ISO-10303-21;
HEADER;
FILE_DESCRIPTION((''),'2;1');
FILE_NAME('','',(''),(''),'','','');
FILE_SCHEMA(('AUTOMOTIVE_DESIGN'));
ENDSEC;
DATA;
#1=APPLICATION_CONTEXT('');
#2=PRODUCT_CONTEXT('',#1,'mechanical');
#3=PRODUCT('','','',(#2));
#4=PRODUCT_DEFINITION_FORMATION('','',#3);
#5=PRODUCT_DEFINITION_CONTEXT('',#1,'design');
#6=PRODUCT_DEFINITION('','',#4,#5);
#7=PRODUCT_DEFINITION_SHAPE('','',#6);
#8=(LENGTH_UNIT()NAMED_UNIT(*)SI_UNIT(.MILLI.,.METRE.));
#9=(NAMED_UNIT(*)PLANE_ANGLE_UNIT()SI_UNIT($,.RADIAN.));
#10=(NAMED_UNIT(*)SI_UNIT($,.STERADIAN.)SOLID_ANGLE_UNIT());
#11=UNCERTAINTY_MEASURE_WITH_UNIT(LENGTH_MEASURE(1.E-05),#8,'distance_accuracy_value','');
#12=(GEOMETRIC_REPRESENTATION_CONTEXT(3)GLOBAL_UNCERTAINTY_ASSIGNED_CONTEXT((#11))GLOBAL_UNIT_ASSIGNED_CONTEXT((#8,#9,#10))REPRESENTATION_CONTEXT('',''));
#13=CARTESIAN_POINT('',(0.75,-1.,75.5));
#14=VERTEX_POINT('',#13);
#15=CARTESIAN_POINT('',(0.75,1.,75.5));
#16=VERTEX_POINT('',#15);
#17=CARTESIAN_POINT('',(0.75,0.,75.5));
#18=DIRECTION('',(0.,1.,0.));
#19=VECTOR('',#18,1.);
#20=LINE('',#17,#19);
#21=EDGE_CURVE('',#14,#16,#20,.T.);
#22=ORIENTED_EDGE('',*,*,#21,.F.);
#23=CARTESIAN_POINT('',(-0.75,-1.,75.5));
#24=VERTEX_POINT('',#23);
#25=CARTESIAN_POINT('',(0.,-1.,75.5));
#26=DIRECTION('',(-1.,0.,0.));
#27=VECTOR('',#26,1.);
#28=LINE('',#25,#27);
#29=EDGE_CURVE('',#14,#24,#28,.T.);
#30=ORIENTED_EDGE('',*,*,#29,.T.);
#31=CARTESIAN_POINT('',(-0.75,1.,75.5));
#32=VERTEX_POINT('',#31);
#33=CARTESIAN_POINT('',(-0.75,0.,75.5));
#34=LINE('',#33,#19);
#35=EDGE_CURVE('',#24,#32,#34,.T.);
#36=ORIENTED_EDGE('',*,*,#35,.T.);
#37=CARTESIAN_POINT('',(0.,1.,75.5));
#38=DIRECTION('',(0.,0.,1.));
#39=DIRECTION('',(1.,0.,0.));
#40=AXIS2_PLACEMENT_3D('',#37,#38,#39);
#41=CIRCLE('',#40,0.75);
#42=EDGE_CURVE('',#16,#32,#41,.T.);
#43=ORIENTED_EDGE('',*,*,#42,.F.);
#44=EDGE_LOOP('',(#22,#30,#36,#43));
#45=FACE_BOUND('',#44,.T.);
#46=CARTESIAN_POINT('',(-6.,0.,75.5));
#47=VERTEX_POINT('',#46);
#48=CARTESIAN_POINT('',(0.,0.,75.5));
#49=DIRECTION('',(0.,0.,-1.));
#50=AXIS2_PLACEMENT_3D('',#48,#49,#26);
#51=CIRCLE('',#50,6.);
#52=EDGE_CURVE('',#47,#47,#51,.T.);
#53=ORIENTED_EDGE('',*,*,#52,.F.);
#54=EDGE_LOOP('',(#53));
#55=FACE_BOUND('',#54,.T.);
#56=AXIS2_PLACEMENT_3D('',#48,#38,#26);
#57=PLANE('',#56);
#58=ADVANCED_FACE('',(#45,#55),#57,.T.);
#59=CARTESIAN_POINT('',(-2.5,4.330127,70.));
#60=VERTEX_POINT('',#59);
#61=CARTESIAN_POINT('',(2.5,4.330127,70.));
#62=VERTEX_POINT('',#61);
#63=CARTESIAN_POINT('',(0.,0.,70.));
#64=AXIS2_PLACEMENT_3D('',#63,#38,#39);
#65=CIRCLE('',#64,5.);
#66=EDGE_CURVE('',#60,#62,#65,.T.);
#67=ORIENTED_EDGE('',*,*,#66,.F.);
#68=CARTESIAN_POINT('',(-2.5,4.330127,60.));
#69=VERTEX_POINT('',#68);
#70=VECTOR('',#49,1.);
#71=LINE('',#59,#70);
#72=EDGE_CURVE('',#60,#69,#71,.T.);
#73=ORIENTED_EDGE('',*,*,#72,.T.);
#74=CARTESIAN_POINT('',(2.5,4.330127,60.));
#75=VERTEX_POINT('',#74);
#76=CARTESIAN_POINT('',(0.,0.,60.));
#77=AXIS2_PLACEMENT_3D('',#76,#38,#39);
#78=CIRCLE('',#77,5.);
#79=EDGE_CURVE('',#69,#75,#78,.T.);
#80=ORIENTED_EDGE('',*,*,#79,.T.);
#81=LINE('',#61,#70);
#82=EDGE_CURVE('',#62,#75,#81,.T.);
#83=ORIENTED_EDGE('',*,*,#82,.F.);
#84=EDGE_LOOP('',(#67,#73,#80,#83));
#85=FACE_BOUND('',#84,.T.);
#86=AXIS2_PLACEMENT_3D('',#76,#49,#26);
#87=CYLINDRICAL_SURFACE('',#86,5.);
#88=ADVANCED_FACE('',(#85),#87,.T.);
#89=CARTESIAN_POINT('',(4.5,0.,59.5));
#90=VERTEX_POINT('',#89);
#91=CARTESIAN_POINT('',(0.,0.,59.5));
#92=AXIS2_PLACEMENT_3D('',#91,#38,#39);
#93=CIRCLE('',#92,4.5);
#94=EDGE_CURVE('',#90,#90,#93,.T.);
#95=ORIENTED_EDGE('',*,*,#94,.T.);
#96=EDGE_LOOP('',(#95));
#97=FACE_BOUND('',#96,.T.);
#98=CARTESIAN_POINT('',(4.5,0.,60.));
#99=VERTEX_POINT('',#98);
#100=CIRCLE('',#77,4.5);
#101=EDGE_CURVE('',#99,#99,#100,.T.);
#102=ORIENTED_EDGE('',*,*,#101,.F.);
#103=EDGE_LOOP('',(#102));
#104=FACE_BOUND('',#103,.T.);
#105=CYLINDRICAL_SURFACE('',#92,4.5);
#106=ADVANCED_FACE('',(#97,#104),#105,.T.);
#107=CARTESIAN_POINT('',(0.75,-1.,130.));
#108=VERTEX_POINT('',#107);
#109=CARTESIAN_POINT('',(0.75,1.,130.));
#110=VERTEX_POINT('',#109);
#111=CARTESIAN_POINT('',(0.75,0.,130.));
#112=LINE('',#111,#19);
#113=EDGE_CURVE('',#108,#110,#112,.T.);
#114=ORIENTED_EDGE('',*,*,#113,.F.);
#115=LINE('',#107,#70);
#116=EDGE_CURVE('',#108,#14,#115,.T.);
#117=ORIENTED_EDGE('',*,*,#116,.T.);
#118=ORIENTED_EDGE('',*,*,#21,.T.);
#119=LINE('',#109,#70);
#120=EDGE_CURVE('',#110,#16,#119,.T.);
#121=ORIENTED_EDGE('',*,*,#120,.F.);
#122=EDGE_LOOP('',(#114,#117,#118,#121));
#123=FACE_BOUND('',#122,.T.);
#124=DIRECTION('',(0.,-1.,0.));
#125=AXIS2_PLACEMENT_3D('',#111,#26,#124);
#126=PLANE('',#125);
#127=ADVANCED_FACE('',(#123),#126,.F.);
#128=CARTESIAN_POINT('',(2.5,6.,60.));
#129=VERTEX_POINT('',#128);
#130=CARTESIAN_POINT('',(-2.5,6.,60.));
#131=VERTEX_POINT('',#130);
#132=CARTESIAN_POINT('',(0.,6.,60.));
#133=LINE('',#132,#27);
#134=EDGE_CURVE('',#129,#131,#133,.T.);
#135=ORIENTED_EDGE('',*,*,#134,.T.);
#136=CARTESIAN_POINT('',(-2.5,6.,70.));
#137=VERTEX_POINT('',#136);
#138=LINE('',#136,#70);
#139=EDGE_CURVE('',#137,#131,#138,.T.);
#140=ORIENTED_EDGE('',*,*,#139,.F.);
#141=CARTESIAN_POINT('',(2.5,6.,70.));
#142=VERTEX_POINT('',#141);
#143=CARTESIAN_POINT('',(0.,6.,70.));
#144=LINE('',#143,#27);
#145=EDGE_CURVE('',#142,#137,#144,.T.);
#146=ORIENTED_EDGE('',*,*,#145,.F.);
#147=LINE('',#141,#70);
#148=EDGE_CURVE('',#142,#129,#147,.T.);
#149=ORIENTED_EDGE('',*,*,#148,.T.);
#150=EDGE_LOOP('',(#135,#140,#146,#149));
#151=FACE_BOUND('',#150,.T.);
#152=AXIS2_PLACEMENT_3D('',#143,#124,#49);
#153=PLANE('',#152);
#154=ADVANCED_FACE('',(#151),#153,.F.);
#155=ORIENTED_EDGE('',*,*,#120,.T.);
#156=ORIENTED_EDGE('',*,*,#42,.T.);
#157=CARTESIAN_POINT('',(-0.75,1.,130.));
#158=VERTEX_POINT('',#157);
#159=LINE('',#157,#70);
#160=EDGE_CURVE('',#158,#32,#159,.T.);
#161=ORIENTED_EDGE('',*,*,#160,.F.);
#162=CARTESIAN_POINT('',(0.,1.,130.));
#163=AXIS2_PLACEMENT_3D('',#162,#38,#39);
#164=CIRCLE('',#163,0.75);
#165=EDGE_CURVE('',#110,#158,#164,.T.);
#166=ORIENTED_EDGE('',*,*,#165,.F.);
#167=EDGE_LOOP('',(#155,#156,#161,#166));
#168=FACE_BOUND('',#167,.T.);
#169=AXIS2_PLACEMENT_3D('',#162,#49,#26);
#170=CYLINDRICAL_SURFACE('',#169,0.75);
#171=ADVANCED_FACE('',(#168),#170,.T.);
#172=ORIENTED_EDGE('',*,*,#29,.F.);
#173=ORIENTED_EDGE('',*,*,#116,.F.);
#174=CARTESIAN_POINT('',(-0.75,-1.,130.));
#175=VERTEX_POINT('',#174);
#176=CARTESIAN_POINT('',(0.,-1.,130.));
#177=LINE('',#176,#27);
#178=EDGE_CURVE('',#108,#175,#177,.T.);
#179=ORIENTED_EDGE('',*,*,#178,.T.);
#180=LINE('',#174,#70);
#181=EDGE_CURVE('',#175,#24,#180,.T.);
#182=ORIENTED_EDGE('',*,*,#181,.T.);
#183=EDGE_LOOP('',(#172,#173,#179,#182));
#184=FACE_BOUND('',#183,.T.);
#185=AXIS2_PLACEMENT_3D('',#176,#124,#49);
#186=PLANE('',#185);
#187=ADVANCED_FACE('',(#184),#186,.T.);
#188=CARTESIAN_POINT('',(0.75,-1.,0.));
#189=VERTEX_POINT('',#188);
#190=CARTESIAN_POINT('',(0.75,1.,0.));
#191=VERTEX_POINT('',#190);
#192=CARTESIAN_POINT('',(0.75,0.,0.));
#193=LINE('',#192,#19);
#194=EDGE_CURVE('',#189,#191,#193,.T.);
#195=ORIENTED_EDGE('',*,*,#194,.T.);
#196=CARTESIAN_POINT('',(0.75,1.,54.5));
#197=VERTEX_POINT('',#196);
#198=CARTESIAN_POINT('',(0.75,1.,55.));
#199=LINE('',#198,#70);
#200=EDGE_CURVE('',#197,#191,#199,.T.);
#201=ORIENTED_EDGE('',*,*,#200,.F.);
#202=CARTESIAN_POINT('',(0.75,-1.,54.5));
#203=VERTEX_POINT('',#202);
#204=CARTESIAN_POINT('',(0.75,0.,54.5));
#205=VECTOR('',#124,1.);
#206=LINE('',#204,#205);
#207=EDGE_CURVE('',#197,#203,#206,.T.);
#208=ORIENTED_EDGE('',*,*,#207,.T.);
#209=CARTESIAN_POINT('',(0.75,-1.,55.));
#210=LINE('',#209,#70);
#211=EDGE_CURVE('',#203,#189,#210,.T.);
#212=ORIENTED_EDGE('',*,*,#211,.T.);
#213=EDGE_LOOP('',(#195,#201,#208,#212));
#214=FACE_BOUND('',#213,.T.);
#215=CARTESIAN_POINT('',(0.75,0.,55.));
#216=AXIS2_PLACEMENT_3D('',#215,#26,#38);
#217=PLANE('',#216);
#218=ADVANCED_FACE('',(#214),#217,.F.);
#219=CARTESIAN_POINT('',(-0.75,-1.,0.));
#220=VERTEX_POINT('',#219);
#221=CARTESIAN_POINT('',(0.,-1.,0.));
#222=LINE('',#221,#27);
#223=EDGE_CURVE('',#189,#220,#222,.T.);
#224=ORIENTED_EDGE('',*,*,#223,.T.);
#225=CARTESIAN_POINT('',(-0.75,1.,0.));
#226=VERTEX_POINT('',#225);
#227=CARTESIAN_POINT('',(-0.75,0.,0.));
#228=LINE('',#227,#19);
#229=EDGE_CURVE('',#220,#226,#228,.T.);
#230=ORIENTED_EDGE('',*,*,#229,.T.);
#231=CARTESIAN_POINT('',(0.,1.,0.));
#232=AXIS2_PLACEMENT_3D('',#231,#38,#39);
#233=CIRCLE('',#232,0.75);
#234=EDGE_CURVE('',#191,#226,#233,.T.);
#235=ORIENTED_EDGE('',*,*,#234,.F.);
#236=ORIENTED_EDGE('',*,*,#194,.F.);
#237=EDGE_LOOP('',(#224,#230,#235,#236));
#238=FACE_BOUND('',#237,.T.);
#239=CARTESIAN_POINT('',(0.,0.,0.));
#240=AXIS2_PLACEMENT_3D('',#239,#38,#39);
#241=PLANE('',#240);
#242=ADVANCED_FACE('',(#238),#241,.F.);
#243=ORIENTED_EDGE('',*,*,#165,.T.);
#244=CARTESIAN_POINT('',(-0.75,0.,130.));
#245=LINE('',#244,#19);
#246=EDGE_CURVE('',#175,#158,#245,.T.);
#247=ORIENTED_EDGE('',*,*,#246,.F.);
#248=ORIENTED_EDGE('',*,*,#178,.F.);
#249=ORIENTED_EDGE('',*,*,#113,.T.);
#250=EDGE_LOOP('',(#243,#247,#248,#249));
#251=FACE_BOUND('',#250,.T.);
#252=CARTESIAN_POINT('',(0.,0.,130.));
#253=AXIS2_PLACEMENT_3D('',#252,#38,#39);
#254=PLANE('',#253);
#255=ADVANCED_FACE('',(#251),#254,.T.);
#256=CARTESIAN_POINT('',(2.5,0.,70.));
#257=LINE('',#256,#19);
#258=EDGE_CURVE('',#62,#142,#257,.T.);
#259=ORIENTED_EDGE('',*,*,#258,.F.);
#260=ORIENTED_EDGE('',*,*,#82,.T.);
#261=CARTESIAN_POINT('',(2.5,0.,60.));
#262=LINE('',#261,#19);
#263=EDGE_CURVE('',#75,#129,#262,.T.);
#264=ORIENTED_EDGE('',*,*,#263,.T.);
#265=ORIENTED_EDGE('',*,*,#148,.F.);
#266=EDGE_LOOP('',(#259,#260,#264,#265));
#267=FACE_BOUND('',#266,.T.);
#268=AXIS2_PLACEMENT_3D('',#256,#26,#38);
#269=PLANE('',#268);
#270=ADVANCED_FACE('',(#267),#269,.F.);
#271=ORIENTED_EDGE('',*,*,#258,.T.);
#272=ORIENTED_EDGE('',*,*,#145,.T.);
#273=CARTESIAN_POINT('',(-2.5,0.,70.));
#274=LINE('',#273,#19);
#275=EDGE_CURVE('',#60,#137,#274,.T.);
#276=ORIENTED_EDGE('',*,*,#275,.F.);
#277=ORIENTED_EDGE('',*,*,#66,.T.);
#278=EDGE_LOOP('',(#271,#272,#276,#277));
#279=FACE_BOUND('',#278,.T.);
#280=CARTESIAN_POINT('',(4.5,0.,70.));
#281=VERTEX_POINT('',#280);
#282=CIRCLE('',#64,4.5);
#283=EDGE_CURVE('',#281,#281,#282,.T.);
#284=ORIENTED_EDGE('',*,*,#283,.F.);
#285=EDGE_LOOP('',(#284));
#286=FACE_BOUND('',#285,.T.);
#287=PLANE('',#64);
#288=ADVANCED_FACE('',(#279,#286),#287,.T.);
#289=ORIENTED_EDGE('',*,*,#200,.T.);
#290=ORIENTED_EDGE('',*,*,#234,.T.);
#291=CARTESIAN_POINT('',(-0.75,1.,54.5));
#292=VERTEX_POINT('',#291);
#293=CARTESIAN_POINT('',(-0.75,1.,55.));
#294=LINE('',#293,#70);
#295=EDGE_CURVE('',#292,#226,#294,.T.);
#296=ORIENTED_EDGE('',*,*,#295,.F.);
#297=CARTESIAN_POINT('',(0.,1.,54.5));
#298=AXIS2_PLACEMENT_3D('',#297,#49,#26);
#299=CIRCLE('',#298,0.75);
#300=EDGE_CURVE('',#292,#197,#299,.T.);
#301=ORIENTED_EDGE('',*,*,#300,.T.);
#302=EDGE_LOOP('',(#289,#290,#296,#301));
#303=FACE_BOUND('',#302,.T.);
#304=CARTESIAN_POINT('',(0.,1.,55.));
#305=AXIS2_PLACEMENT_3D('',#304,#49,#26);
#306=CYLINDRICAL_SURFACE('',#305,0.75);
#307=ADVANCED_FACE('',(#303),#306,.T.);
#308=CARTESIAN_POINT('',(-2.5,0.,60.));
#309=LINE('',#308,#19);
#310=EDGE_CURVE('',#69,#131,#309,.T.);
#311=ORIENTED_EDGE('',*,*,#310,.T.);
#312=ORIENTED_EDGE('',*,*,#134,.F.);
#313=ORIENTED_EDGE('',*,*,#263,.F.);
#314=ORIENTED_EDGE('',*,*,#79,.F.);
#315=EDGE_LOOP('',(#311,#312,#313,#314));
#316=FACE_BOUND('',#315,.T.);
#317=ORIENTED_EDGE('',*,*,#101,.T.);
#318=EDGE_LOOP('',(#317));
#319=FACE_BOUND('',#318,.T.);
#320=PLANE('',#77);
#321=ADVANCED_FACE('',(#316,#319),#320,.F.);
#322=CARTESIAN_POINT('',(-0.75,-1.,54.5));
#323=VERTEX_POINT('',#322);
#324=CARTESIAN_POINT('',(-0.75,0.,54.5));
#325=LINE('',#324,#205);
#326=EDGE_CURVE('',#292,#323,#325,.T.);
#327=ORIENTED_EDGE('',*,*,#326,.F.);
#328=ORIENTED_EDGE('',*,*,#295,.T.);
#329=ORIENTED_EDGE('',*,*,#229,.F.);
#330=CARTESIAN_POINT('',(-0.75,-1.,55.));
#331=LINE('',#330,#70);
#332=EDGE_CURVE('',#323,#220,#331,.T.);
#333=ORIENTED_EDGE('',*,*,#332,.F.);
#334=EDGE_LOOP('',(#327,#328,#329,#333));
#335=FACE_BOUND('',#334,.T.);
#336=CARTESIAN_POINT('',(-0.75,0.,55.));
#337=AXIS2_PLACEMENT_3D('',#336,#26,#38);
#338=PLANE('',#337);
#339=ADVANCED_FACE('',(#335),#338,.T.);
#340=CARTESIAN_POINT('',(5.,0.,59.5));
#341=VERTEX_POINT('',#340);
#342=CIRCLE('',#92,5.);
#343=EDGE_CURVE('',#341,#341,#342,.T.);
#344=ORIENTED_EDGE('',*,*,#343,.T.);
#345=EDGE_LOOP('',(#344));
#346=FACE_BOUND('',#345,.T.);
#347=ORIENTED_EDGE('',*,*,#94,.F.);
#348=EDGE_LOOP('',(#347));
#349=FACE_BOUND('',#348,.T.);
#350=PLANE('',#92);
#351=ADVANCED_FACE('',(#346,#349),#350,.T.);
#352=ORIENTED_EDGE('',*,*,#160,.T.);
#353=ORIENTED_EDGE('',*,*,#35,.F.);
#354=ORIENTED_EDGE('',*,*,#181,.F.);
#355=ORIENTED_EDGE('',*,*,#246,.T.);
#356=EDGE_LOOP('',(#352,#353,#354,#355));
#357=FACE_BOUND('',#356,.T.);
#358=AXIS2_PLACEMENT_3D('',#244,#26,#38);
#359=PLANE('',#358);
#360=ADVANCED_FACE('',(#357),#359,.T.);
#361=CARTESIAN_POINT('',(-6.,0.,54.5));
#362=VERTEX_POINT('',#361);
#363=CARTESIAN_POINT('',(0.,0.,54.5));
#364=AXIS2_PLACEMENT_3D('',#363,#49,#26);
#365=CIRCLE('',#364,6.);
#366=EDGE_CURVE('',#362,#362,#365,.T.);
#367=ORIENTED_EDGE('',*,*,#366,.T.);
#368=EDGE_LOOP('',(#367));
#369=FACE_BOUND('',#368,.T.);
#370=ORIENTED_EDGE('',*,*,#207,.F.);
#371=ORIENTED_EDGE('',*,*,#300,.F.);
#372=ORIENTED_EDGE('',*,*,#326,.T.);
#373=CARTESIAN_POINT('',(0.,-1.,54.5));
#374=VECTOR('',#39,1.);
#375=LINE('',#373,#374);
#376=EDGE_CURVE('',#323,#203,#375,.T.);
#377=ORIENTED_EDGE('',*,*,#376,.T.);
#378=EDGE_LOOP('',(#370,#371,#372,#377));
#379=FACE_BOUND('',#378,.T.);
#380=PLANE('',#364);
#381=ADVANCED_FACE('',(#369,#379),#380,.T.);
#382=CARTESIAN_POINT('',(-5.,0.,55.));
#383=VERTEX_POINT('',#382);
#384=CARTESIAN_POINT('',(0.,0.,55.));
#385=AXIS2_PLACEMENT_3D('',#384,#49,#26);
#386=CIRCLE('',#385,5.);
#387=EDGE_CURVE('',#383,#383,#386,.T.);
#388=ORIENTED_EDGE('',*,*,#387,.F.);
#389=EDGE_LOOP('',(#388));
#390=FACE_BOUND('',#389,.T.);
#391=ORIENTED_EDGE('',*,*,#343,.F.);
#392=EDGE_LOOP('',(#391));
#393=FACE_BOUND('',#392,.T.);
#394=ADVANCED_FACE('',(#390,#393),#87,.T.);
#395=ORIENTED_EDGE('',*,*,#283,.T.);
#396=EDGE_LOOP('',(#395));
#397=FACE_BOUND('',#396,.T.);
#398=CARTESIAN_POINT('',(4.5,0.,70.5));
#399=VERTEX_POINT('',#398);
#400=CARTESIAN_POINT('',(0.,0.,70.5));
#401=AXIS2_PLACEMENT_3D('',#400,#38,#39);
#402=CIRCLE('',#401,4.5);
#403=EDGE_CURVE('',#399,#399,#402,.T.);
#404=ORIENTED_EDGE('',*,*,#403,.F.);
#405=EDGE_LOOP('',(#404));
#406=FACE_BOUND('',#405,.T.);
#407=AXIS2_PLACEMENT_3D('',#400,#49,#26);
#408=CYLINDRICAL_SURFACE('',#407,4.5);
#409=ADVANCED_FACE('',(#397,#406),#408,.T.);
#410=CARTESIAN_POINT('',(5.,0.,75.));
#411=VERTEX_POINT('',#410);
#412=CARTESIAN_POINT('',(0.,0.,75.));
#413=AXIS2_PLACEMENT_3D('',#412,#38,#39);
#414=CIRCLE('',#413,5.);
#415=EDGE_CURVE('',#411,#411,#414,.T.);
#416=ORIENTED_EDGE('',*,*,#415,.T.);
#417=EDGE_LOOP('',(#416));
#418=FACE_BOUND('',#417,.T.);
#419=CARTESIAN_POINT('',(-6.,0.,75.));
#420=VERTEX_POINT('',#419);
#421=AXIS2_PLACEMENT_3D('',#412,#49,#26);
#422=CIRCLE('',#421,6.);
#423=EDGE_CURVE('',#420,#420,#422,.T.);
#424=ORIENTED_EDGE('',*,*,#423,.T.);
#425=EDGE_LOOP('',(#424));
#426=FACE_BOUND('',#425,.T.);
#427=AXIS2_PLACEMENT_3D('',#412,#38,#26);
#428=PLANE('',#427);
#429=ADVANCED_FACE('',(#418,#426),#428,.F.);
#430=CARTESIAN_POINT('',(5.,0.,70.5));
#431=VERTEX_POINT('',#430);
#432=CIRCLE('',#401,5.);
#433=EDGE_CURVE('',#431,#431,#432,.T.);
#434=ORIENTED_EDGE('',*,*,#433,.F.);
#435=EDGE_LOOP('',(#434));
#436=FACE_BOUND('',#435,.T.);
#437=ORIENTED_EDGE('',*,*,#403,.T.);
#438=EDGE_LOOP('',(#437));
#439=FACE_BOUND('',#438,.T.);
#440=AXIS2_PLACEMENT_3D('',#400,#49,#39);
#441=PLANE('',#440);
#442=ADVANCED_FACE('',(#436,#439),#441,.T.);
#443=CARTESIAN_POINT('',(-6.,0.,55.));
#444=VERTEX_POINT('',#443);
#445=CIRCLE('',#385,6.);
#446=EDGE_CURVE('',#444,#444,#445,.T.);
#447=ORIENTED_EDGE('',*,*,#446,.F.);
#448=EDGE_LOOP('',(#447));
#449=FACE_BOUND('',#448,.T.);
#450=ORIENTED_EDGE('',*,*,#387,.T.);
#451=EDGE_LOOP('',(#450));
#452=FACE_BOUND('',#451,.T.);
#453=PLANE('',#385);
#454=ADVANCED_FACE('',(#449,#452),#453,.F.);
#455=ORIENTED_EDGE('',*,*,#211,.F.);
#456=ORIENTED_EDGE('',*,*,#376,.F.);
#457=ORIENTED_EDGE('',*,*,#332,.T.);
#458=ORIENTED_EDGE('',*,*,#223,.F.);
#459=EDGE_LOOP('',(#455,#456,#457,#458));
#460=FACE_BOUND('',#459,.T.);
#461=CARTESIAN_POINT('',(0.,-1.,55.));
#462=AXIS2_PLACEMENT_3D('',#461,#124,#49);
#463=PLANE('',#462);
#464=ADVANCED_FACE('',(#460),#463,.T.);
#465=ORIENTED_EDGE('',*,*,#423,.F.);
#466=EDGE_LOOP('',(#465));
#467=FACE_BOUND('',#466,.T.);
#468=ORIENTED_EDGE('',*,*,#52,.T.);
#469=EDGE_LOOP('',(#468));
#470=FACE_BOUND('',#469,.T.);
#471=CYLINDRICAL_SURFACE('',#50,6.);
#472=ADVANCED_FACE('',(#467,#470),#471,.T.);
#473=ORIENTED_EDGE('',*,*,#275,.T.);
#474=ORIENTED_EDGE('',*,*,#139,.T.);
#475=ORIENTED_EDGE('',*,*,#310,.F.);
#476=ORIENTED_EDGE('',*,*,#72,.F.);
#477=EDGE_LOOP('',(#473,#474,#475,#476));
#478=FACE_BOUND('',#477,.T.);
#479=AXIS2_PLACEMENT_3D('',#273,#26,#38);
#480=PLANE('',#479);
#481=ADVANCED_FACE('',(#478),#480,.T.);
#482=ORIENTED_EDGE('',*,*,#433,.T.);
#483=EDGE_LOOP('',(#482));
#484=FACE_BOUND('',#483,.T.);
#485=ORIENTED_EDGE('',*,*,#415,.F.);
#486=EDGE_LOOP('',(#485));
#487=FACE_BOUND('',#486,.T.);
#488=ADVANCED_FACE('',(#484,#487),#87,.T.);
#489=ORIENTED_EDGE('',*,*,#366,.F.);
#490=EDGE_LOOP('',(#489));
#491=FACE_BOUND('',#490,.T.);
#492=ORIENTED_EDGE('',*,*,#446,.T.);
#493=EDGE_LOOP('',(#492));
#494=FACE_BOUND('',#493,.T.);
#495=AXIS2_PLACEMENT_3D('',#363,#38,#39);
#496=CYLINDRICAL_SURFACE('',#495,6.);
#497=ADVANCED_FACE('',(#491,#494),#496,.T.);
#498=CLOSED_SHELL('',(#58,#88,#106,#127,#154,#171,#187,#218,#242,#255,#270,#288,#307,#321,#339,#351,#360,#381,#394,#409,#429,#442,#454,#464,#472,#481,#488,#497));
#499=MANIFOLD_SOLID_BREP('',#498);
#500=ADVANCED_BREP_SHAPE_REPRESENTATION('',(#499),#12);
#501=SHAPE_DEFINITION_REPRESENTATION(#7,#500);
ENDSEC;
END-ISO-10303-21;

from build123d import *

# Parameters (mm, degrees)
BOSS_EXTRUDE4_DEPTH = 55
SKETCH4_R           = 5
BOSS_EXTRUDE5_DEPTH = 5
BOSS_EXTRUDE6_DEPTH = 10
SKETCH6_R           = 5
BOSS_EXTRUDE7_DEPTH = 5
BOSS_EXTRUDE8_DEPTH = 55
CUT_EXTRUDE2_START  = -0.5
SKETCH8_R           = 5
SKETCH8_R_2         = 4.5
CUT_EXTRUDE2_DEPTH  = 0.5
SKETCH9_R           = 6
BOSS_EXTRUDE9_DEPTH = 0.5


with BuildPart() as part:
    # Sketch1 → Boss-Extrude4 (new body)
    with BuildSketch(Plane.XY):
        with BuildLine():
            ThreePointArc((-0.75, 1), (0, 0.25), (0.75, 1))
            Line((0.75, 1), (-0.75, 1))
        make_face()
        with BuildLine():
            Line((-0.75, 1), (0.75, 1))
            ThreePointArc((0.75, 1), (0, 1.75), (-0.75, 1))
        make_face()
        with BuildLine():
            Line((-0.75, -1), (0.75, -1))
            Line((0.75, -1), (0.75, 1))
            ThreePointArc((0.75, 1), (0, 0.25), (-0.75, 1))
            Line((-0.75, 1), (-0.75, -1))
        make_face()
    extrude(amount=BOSS_EXTRUDE4_DEPTH)

    # Sketch4 → Boss-Extrude5 (add)
    with BuildSketch(Plane.XY.offset(55)):
        Circle(SKETCH4_R)
    extrude(amount=BOSS_EXTRUDE5_DEPTH)

    # Sketch5 → Boss-Extrude6 (add)
    with BuildSketch(Plane.XY.offset(60)):
        with BuildLine():
            Line((2.5, 4.330127019), (2.5, 4))
            Line((2.5, 4), (-2.5, 4))
            Line((-2.5, 4), (-2.5, 4.330127019))
            ThreePointArc((-2.5, 4.330127019), (-2.5, -4.330127019), (5, 0))
            ThreePointArc((5, 0), (4.330127019, 2.5), (2.5, 4.330127019))
        make_face()
        with BuildLine():
            Line((-2.5, 4), (2.5, 4))
            Line((2.5, 4), (2.5, 4.330127019))
            ThreePointArc((2.5, 4.330127019), (0, 5), (-2.5, 4.330127019))
            Line((-2.5, 4.330127019), (-2.5, 4))
        make_face()
        with BuildLine():
            ThreePointArc((-2.5, 4.330127019), (0, 5), (2.5, 4.330127019))
            Line((2.5, 4.330127019), (2.5, 6))
            Line((2.5, 6), (-2.5, 6))
            Line((-2.5, 6), (-2.5, 4.330127019))
        make_face()
    extrude(amount=BOSS_EXTRUDE6_DEPTH)

    # Sketch6 → Boss-Extrude7 (add)
    with BuildSketch(Plane.XY.offset(70)):
        Circle(SKETCH6_R)
    extrude(amount=BOSS_EXTRUDE7_DEPTH)

    # Sketch7 → Boss-Extrude8 (add)
    with BuildSketch(Plane.XY.offset(75)):
        with BuildLine():
            ThreePointArc((-0.75, 1), (0, 0.25), (0.75, 1))
            Line((0.75, 1), (-0.75, 1))
        make_face()
        with BuildLine():
            Line((-0.75, 1), (0.75, 1))
            ThreePointArc((0.75, 1), (0, 1.75), (-0.75, 1))
        make_face()
        with BuildLine():
            Line((-0.75, -1), (0.75, -1))
            Line((0.75, -1), (0.75, 1))
            ThreePointArc((0.75, 1), (0, 0.25), (-0.75, 1))
            Line((-0.75, 1), (-0.75, -1))
        make_face()
    extrude(amount=BOSS_EXTRUDE8_DEPTH)

    # Sketch8 → Cut-Extrude2 (cut)
    with BuildSketch(Plane.XY.offset(60).offset(CUT_EXTRUDE2_START)):
        Circle(SKETCH8_R)
        Circle(SKETCH8_R_2, mode=Mode.SUBTRACT)
    cut_extrude2 = extrude(amount=CUT_EXTRUDE2_DEPTH, mode=Mode.SUBTRACT)

    # Mirror3: Cut-Extrude2 across plane
    add(cut_extrude2.mirror(Plane.XY.offset(65)), mode=Mode.SUBTRACT)

    # Sketch9 → Boss-Extrude9 (add)
    with BuildSketch(Plane(origin=(0, 0, 55), x_dir=(-1, 0, 0), z_dir=(0, 0, -1))):
        Circle(SKETCH9_R)
    boss_extrude9 = extrude(amount=BOSS_EXTRUDE9_DEPTH)

    # Mirror4: Boss-Extrude9 across plane
    add(boss_extrude9.mirror(Plane.XY.offset(65)))


solid = part.part
